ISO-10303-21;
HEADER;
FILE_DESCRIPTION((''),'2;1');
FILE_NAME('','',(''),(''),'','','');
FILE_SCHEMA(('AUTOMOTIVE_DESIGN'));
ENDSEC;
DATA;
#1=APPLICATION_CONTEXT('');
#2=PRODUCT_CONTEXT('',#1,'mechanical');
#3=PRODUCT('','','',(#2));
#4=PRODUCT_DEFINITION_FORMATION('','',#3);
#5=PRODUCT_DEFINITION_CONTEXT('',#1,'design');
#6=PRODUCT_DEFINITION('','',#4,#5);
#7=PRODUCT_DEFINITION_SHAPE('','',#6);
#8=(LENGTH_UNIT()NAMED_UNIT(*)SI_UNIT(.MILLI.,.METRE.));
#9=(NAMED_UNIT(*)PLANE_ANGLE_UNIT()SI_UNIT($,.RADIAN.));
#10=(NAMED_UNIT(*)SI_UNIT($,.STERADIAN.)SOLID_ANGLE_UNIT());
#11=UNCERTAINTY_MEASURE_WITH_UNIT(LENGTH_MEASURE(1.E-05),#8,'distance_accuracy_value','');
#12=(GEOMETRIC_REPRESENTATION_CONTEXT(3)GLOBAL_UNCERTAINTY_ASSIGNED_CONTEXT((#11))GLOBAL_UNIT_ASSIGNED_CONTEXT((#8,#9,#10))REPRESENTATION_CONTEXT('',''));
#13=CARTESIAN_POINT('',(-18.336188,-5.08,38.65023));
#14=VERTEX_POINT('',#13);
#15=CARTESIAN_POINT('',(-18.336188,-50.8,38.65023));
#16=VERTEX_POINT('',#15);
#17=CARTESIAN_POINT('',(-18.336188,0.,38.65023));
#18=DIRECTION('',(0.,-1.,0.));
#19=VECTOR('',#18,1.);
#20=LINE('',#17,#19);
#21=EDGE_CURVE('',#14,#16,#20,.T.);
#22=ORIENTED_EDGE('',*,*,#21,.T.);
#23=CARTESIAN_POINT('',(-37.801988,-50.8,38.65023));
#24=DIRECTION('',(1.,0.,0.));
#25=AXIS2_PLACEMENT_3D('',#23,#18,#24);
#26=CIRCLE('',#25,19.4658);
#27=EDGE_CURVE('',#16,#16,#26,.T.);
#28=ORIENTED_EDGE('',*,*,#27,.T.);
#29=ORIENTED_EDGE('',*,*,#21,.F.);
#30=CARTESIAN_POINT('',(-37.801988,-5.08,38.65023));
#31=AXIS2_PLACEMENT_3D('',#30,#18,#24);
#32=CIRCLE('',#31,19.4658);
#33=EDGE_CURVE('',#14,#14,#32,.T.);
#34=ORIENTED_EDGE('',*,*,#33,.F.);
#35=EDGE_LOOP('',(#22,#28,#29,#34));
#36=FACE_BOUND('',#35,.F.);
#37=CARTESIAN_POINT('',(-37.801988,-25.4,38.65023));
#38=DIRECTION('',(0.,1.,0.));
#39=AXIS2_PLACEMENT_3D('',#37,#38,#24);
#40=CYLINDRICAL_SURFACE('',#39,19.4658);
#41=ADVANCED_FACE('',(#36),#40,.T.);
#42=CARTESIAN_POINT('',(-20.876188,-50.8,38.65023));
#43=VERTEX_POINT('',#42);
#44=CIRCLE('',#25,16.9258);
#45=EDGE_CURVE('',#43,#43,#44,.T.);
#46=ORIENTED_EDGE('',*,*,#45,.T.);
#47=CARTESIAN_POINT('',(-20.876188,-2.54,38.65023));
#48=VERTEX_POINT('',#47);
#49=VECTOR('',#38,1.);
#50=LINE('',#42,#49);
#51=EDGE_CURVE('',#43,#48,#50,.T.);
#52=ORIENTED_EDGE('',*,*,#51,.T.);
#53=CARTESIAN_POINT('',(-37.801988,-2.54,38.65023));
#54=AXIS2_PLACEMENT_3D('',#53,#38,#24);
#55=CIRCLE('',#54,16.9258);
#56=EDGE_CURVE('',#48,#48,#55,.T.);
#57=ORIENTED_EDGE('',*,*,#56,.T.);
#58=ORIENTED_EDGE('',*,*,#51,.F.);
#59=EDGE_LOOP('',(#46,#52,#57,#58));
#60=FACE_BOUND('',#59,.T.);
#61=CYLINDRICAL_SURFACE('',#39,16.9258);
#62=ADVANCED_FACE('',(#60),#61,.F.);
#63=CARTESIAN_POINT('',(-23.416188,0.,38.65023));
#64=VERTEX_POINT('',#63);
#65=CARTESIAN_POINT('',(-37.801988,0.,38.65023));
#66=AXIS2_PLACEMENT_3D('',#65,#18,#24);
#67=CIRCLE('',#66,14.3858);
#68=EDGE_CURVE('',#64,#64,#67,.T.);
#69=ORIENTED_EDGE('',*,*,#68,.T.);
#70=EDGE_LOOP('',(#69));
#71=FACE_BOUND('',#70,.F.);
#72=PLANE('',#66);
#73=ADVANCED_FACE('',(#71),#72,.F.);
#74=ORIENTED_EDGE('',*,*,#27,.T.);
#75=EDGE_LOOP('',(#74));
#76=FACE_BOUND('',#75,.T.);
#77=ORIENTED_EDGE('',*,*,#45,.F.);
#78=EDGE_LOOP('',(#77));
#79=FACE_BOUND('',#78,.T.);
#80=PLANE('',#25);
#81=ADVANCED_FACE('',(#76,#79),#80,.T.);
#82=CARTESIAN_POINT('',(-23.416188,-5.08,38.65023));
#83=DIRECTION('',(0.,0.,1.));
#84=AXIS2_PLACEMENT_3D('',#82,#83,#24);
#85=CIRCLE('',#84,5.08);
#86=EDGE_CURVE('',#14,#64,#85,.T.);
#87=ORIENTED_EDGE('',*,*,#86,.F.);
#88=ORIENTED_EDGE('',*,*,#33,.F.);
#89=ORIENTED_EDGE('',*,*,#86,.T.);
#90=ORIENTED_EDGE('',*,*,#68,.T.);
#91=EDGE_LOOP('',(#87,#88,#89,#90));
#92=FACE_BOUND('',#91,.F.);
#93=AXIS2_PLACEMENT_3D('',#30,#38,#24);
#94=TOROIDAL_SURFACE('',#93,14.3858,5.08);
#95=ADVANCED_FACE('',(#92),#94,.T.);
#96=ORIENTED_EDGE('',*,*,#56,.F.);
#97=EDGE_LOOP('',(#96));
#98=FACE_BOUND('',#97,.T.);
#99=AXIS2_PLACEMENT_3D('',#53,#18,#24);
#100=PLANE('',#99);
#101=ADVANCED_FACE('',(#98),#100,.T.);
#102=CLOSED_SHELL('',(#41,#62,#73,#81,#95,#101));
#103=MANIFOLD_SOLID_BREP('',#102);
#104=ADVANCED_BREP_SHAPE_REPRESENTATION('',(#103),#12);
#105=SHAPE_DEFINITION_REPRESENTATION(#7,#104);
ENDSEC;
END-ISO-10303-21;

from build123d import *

# Parameters (mm, degrees)
F0_R     = 19.4658001659
F1_DEPTH = 25.4
F2_T     = -2.54
F3_DEPTH = 25.4
F4_DEPTH = 25.4
F5_R     = 5.08


with BuildPart() as f1:
    # F0 (on Front) → F1 (new body)
    with BuildSketch(Plane.XZ):
        with Locations((-37.8019884229, 38.6502295732)):
            Circle(F0_R)
    extrude(amount=F1_DEPTH)

    # F2
    f2_openings = [f1.faces().sort_by_distance(p)[0] for p in [
        (-37.801988, -25.4, 38.65023),
    ]]
    offset(amount=F2_T, openings=f2_openings)

    # F3 (add): a face of the model
    f3_faces = [f1.faces().sort_by_distance(p)[0] for p in [
        (-56.7172126168, -25.4, 38.6502295732),
    ]]
    extrude(f3_faces, amount=-F3_DEPTH)

    # F4 (add): a face of the model
    f4_faces = [f1.faces().sort_by_distance(p)[0] for p in [
        (-56.7172126168, -25.4, 38.6502295732),
    ]]
    extrude(f4_faces, amount=F4_DEPTH)

    # F5
    f5_edges = [f1.edges().sort_by_distance(p)[0] for p in [
        (-57.267789, 0, 38.65023),
    ]]
    fillet(f5_edges, radius=F5_R)


solid = f1.part
